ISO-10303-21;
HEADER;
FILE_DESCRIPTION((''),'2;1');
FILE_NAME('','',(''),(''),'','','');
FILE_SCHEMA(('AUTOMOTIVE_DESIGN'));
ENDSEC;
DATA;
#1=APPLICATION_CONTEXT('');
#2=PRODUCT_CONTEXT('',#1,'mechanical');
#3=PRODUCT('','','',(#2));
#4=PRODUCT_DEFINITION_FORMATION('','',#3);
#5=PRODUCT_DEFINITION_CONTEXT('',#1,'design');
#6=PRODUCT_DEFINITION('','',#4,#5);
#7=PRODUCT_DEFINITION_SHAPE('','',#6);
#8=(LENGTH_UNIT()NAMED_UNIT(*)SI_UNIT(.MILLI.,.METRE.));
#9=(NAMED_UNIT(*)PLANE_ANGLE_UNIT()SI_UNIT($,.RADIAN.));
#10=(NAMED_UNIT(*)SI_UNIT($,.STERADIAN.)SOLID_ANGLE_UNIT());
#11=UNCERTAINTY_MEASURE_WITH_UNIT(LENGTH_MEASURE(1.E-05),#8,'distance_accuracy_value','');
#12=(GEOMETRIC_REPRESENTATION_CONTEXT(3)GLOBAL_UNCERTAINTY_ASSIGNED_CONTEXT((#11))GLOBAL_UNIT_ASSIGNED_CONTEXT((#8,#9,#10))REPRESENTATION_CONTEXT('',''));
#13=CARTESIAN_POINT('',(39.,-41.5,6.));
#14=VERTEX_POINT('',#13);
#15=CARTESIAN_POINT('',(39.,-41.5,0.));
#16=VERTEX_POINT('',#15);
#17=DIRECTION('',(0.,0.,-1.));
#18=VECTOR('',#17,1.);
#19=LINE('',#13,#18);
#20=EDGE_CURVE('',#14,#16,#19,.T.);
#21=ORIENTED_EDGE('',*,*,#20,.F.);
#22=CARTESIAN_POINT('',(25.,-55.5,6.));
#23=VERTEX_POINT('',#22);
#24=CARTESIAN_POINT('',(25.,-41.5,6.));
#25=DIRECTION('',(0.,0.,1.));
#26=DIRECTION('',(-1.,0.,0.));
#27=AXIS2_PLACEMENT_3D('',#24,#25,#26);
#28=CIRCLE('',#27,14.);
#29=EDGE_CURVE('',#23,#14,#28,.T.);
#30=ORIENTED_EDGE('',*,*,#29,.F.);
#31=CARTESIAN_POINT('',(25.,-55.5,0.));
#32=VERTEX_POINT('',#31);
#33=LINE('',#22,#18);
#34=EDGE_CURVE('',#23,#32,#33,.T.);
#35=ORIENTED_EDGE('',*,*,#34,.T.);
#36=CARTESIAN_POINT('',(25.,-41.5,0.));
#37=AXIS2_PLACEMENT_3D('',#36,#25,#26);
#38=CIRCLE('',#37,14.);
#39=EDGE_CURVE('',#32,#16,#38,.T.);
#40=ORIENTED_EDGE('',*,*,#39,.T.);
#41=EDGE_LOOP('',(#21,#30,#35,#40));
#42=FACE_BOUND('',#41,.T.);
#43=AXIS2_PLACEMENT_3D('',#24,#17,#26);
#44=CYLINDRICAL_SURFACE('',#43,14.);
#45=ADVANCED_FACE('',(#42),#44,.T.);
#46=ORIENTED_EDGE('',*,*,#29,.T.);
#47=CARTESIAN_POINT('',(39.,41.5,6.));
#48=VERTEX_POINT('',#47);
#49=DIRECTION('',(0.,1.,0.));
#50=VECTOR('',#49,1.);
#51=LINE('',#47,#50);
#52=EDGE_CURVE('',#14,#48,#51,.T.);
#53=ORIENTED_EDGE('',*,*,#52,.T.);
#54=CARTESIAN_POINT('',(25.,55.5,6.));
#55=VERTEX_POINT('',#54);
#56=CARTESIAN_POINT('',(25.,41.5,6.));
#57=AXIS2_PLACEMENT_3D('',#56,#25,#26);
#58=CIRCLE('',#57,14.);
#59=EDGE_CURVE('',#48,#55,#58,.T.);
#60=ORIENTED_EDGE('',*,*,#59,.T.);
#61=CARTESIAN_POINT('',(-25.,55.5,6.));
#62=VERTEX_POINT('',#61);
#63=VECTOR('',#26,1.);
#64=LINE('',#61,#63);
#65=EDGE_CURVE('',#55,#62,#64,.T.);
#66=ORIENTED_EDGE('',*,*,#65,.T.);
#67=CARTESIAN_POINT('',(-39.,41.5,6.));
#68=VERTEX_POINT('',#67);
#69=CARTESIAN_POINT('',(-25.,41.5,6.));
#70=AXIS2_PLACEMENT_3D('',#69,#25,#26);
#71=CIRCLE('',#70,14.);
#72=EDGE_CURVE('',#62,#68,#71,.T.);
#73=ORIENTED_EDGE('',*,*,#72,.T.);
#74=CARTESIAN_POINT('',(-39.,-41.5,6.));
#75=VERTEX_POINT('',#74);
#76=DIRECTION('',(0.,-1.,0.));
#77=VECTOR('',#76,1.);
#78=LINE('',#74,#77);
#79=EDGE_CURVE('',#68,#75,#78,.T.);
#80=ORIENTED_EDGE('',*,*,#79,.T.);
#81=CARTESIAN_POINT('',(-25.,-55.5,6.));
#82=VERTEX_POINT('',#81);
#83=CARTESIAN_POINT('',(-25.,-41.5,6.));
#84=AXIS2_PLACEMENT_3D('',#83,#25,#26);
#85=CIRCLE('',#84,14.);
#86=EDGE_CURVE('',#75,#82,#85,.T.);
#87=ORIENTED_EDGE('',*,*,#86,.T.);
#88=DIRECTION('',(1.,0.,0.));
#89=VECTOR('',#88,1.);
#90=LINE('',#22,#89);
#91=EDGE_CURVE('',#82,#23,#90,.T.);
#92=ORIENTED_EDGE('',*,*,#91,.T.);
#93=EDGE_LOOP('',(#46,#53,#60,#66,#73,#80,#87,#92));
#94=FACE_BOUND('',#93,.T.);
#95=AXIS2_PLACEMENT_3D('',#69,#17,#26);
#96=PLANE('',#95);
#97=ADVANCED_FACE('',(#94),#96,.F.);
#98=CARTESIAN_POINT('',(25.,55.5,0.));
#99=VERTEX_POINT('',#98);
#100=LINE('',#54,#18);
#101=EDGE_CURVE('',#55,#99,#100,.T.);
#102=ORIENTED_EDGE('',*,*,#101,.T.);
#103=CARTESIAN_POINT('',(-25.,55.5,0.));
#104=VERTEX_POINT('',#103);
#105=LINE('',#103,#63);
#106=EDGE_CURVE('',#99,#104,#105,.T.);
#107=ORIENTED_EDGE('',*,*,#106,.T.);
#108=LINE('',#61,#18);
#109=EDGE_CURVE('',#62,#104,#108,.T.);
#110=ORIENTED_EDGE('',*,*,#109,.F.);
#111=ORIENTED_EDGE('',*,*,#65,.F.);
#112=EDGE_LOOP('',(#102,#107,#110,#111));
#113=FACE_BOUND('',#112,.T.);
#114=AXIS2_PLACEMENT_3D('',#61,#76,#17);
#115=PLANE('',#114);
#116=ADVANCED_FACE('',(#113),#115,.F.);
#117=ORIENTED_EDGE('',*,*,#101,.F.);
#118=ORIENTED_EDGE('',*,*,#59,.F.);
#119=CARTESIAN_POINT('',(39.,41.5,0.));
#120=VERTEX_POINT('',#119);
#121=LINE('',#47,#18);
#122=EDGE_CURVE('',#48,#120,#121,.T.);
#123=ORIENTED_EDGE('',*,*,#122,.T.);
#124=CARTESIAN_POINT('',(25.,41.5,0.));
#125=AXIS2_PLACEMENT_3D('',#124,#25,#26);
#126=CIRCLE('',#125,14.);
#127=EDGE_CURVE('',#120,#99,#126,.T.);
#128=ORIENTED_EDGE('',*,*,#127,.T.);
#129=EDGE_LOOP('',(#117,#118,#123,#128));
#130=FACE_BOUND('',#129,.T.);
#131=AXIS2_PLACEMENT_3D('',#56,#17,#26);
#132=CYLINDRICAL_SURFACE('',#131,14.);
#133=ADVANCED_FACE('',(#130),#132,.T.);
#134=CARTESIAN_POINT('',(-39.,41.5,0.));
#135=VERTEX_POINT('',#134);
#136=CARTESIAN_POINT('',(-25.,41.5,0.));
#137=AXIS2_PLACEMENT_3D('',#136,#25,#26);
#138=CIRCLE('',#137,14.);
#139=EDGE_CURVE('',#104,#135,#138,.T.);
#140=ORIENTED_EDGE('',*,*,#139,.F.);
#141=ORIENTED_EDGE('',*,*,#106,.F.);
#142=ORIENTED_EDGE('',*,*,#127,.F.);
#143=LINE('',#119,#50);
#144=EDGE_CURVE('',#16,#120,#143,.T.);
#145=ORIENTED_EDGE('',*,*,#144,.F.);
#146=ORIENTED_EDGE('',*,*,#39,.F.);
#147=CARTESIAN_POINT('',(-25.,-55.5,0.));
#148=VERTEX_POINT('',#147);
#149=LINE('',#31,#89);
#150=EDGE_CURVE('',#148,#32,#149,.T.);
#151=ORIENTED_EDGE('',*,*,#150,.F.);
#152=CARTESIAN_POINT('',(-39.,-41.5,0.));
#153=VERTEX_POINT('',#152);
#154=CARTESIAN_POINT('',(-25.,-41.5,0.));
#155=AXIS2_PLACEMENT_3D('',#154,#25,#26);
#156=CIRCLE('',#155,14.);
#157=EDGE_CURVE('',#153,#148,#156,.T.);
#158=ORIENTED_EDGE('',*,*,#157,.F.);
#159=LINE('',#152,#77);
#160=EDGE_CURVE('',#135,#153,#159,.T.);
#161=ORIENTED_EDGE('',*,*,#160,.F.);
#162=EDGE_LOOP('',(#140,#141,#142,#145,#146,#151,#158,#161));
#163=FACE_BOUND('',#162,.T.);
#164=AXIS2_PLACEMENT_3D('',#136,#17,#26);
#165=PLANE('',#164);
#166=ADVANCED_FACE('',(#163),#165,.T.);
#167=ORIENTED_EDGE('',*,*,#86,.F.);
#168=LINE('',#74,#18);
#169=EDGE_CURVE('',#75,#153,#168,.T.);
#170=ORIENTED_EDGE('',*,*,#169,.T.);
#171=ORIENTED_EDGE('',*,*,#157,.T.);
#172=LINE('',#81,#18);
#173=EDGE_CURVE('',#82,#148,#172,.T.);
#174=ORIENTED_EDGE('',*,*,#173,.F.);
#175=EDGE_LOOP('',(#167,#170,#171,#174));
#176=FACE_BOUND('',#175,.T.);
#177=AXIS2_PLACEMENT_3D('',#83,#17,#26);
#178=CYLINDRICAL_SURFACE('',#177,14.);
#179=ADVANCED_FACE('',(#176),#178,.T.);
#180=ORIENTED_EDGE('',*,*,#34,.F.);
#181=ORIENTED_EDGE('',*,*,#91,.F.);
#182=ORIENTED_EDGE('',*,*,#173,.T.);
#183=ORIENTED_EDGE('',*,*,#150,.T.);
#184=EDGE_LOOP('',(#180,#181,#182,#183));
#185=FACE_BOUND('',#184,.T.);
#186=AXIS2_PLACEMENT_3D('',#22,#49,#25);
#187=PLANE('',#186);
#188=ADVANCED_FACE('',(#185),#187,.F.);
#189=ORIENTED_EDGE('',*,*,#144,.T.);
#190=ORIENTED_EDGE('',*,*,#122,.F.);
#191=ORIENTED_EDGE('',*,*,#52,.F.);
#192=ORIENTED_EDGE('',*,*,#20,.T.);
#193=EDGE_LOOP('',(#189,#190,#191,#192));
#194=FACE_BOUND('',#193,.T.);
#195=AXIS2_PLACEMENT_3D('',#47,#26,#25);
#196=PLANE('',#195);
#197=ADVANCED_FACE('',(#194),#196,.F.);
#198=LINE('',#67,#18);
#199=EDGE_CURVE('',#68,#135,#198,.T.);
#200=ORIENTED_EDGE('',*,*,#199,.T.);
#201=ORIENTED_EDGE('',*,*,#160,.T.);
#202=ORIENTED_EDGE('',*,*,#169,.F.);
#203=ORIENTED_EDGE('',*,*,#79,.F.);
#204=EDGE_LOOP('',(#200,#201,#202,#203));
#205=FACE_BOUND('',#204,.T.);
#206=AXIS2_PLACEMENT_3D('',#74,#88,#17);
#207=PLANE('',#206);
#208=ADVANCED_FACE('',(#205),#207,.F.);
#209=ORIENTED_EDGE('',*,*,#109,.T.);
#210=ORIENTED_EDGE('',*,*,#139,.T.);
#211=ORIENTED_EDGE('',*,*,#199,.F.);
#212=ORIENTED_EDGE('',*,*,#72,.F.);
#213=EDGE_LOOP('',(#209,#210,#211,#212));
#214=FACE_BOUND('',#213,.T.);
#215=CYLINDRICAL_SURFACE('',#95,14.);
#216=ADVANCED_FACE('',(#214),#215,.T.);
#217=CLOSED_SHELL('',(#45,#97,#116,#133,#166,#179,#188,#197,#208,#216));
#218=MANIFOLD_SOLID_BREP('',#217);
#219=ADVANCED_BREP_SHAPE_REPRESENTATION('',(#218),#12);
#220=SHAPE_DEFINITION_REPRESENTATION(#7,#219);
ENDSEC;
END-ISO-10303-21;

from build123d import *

# Parameters (mm, degrees)
BOSS_EXTRUDE1_DEPTH = 6


with BuildPart() as part:
    # Sketch1 → Boss-Extrude1 (new body)
    with BuildSketch(Plane.XY):
        with BuildLine():
            Line((-25, 55.5), (25, 55.5))
            ThreePointArc((25, 55.5), (34.899494937, 51.399494937), (39, 41.5))
            Line((39, 41.5), (39, -41.5))
            ThreePointArc((39, -41.5), (34.899494937, -51.399494937), (25, -55.5))
            Line((25, -55.5), (-25, -55.5))
            ThreePointArc((-25, -55.5), (-34.899494937, -51.399494937), (-39, -41.5))
            Line((-39, -41.5), (-39, 41.5))
            ThreePointArc((-39, 41.5), (-34.899494937, 51.399494937), (-25, 55.5))
        make_face()
    extrude(amount=BOSS_EXTRUDE1_DEPTH)


solid = part.part
